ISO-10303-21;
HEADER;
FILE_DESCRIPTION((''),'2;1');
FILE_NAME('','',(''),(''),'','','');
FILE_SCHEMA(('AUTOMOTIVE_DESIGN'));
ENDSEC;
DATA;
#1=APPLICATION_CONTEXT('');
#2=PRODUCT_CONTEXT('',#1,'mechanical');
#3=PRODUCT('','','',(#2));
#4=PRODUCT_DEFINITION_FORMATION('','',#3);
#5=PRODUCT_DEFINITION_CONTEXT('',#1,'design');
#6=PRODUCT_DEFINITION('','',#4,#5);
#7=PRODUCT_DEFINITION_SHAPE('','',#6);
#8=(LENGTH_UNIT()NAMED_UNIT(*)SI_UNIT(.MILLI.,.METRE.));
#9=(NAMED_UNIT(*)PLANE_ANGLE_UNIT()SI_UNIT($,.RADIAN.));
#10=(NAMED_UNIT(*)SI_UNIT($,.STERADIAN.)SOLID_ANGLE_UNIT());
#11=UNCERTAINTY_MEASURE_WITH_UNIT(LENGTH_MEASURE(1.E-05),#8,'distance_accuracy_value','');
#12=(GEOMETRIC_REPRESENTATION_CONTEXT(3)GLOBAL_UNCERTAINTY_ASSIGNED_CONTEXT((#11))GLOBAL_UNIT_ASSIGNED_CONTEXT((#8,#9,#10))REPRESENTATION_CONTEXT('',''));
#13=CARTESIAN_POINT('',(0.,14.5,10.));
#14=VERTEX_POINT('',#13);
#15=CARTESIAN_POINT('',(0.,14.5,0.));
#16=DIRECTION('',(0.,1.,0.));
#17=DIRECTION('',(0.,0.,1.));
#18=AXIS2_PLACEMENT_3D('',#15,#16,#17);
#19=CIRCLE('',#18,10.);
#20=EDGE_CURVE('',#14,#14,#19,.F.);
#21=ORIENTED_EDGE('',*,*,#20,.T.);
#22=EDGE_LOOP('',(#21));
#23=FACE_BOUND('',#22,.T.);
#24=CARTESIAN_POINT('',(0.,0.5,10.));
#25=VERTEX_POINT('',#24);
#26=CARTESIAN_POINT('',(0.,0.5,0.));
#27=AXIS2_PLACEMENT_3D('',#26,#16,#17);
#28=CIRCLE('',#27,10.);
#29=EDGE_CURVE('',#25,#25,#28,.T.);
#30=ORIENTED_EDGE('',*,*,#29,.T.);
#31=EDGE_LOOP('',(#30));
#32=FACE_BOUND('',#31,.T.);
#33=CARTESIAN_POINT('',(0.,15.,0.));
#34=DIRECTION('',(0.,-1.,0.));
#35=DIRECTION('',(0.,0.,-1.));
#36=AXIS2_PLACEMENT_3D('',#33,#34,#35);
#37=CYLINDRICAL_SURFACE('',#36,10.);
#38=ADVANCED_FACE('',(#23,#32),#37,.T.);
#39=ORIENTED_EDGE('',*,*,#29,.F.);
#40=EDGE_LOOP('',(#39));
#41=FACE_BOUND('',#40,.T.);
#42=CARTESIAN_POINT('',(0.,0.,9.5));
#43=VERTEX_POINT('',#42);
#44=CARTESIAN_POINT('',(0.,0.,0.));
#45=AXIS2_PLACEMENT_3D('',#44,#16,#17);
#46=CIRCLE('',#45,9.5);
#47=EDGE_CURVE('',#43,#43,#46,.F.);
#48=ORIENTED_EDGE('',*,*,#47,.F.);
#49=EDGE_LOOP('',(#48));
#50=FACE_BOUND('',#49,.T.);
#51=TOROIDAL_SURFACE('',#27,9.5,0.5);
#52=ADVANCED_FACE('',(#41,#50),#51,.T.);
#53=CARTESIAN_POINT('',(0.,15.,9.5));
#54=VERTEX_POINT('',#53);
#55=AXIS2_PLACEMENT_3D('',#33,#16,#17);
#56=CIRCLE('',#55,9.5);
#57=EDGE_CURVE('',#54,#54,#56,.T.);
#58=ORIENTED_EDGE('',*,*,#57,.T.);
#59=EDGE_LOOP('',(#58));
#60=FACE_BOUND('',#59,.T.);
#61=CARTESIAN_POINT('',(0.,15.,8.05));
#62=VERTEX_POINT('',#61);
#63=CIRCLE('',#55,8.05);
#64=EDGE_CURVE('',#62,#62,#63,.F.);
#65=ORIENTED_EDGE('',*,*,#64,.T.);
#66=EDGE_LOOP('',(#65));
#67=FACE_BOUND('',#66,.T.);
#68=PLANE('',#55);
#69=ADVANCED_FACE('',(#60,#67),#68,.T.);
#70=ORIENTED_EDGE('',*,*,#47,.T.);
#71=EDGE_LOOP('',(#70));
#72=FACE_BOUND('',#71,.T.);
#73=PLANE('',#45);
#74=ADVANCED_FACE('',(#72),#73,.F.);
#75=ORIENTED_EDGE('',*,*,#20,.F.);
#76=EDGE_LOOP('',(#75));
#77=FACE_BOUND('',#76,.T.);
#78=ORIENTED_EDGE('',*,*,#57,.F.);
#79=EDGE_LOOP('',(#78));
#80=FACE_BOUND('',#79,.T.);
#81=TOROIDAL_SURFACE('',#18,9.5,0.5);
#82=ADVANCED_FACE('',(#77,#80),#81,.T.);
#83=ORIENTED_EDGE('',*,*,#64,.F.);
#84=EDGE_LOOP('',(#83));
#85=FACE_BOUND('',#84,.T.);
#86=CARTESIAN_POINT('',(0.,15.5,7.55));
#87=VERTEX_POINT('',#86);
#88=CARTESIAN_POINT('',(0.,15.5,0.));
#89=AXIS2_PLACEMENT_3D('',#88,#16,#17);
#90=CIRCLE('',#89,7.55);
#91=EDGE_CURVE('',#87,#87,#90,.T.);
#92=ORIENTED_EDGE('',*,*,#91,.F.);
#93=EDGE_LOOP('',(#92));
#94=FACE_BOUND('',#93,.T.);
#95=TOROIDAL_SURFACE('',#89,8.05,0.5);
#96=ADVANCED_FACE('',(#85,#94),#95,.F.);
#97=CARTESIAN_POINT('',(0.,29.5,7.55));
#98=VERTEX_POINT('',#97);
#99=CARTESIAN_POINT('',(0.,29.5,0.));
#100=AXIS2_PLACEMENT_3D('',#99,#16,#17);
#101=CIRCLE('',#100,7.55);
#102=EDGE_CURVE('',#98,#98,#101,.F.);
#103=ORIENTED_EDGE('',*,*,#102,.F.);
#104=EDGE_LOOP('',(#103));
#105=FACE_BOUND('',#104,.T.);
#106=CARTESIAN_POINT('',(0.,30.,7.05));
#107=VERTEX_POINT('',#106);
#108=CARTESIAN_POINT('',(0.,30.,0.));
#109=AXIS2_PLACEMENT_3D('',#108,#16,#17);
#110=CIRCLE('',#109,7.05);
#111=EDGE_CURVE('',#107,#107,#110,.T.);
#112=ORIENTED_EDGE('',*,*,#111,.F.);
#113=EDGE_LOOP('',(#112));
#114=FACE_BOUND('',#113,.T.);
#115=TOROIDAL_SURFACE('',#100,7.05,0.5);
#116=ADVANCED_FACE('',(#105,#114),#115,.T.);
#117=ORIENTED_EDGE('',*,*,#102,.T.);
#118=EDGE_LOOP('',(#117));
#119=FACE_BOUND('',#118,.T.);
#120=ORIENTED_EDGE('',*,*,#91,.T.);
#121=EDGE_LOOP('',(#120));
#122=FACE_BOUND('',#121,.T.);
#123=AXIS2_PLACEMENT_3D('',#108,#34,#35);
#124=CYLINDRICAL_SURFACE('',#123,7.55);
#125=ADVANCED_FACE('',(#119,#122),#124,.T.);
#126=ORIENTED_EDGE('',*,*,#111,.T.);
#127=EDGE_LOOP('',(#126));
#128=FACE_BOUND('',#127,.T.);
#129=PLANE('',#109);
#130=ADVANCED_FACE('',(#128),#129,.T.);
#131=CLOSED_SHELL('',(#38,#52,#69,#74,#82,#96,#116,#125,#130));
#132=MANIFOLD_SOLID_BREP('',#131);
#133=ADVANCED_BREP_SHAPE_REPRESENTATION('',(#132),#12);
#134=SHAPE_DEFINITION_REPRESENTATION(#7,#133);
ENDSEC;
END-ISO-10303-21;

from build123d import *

# Parameters (mm, degrees)
SKETCH1_R           = 10
BOSS_EXTRUDE1_DEPTH = 15
SKETCH2_R           = 7.55
BOSS_EXTRUDE2_DEPTH = 15
FILLET1_R           = 0.5


with BuildPart() as part:
    # Sketch1 → Boss-Extrude1 (new body)
    with BuildSketch(Plane(origin=(0, 0, 0), x_dir=(1, 0, 0), z_dir=(0, 1, 0))):
        with Locations(Location((0, 0, 0), (0, 0, 270))):
            Circle(SKETCH1_R)
    extrude(amount=BOSS_EXTRUDE1_DEPTH)

    # Sketch2 → Boss-Extrude2 (add)
    with BuildSketch(Plane(origin=(0, 15, 0), x_dir=(1, 0, 0), z_dir=(0, 1, 0))):
        with Locations(Location((0, 0, 0), (0, 0, 270))):
            Circle(SKETCH2_R)
    extrude(amount=BOSS_EXTRUDE2_DEPTH)

    # Fillet1
    fillet1_edges = [part.edges().sort_by_distance(p)[0] for p in [
        (0, 0, -10),
        (0, 15, -10),
        (0, 15, -7.55),
        (0, 30, -7.55),
    ]]
    fillet(fillet1_edges, radius=FILLET1_R)


solid = part.part
